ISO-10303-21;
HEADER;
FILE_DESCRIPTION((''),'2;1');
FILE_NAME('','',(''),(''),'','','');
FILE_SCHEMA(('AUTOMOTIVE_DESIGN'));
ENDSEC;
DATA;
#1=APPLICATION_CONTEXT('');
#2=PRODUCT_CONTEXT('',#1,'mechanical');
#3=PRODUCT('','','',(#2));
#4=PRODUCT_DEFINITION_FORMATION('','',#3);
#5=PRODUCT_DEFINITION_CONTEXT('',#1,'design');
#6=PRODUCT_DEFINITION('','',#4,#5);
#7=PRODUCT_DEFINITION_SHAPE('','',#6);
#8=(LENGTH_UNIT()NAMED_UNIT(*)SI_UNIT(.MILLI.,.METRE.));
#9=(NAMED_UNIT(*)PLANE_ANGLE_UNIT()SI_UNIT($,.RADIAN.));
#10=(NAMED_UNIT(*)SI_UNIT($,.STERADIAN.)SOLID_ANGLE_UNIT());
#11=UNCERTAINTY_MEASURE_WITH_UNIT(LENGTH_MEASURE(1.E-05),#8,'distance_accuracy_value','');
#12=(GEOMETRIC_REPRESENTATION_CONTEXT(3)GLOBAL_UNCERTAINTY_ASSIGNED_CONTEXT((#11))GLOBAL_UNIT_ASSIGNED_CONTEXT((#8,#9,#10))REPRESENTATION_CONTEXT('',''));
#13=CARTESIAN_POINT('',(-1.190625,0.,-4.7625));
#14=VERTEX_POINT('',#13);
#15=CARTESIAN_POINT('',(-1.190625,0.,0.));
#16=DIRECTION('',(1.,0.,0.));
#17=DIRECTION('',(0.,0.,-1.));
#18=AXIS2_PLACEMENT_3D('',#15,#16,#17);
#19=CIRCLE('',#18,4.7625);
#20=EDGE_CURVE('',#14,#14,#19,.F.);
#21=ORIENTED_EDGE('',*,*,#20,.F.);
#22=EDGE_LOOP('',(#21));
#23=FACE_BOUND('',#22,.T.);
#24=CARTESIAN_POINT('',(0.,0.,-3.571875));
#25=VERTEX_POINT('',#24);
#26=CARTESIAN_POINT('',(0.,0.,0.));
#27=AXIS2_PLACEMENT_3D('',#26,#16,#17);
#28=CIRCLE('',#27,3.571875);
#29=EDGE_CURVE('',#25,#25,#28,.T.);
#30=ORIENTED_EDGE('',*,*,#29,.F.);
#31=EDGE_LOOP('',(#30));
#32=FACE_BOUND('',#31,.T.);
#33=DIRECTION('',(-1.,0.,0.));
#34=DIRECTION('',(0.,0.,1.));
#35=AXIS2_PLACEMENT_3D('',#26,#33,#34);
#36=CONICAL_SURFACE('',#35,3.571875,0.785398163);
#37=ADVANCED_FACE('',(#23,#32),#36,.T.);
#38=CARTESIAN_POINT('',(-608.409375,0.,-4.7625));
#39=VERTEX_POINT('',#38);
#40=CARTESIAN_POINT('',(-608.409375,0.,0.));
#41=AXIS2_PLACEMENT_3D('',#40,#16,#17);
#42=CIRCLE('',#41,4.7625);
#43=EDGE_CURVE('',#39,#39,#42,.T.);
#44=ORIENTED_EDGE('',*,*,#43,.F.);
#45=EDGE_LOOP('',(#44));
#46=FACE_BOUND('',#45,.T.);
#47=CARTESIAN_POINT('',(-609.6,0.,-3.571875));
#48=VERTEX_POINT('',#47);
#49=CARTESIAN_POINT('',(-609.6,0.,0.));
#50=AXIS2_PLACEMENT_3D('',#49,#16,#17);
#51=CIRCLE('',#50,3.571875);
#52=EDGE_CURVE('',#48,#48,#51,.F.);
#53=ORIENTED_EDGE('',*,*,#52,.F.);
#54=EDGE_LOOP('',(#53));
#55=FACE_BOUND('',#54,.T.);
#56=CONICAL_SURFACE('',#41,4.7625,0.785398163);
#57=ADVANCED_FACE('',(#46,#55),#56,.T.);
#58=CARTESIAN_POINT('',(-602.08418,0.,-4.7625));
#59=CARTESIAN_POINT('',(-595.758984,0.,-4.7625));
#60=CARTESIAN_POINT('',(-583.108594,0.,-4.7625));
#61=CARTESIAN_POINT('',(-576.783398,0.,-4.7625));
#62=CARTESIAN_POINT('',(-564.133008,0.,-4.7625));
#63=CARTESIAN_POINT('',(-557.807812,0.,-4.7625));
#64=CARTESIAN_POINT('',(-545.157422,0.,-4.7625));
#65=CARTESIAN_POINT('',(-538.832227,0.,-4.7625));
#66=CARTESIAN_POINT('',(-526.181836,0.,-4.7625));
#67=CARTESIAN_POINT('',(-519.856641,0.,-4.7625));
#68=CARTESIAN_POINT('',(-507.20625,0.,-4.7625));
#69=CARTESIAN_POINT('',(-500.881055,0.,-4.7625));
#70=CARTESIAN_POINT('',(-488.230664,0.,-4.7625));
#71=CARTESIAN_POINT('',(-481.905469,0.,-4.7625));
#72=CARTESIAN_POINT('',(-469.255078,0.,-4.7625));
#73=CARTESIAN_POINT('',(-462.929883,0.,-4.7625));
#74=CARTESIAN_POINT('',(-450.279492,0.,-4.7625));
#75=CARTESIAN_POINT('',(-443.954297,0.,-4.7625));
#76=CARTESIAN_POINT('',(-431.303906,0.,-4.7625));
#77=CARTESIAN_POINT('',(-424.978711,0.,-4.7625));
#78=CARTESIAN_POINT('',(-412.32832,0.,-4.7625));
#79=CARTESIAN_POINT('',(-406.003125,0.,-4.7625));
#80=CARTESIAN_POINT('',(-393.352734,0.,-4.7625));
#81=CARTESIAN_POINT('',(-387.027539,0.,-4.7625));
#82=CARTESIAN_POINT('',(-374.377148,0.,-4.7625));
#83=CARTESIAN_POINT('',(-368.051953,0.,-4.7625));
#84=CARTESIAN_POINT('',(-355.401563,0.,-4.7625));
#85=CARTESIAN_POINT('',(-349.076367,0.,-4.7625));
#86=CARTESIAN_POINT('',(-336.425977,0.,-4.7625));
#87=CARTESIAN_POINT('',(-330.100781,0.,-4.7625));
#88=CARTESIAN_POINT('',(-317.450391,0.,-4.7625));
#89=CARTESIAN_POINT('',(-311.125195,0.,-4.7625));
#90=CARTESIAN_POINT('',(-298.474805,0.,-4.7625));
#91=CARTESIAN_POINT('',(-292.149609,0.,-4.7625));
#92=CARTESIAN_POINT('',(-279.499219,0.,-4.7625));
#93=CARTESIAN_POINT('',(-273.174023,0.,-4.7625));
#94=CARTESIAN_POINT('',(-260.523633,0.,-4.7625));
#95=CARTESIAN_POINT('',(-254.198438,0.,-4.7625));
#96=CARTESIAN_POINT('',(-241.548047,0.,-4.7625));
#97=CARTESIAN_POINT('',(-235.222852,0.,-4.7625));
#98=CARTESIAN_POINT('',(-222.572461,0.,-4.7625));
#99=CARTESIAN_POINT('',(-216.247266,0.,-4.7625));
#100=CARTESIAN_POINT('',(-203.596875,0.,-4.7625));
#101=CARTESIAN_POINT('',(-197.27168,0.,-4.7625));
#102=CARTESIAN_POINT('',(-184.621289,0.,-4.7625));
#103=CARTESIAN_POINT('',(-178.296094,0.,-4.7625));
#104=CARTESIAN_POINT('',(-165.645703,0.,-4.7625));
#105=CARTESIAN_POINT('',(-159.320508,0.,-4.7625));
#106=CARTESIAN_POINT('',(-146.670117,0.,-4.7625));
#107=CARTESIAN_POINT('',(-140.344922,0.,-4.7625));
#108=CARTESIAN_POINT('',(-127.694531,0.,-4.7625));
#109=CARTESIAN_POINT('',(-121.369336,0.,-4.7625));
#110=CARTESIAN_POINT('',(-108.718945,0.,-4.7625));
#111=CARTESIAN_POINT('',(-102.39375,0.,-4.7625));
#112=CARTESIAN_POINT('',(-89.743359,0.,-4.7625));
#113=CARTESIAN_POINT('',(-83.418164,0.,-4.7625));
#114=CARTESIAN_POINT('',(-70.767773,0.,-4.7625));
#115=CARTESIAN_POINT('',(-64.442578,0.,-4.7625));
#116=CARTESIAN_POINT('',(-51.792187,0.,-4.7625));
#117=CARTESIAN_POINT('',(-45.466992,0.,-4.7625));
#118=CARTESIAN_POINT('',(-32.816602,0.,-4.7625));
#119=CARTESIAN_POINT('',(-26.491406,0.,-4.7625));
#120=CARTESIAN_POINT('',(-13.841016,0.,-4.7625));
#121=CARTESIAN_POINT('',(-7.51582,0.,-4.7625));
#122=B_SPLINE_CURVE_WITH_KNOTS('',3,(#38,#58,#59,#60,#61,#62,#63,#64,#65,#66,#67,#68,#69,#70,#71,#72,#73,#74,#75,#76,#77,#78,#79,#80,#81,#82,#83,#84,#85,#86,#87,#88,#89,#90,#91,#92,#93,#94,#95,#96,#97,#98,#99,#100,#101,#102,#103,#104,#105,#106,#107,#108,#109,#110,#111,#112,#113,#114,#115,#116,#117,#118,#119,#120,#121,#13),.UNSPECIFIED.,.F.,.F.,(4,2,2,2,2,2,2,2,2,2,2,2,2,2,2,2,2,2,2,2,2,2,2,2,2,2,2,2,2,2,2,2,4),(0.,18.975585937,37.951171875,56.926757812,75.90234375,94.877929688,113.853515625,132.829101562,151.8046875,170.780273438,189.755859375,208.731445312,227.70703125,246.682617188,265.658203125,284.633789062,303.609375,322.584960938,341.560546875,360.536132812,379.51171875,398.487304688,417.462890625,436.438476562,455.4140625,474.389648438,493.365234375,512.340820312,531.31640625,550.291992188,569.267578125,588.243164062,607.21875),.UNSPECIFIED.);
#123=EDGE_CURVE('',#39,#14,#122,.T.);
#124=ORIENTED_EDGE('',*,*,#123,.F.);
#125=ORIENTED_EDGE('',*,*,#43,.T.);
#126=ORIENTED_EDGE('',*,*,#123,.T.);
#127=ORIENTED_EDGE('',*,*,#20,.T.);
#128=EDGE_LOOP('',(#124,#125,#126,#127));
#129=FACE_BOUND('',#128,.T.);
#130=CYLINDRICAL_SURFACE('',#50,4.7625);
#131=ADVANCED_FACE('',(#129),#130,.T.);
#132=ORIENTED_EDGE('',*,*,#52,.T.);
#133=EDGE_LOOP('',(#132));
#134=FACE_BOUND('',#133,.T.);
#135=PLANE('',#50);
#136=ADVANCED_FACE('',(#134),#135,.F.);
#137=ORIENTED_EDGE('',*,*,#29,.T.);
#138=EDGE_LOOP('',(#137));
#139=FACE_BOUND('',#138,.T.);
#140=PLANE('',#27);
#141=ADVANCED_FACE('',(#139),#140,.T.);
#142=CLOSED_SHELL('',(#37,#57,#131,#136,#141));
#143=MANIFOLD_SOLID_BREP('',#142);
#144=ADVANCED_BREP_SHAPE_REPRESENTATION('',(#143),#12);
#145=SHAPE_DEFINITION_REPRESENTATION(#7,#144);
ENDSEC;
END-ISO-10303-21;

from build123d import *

# Parameters (mm, degrees)
SKETCH2_R           = 4.7625
BOSS_EXTRUDE1_DEPTH = 609.6
CHAMFER1_SIZE       = 1.190625


with BuildPart() as part:
    # Sketch2 → Boss-Extrude1 (new body)
    with BuildSketch(Plane(origin=(0, 0, 0), x_dir=(0, 0, -1), z_dir=(1, 0, 0))):
        Circle(SKETCH2_R)
    extrude(amount=-BOSS_EXTRUDE1_DEPTH)

    # Chamfer1
    chamfer1_edges = [part.edges().sort_by_distance(p)[0] for p in [
        (0, 0, 4.7625),
        (-609.6, 0, 4.7625),
    ]]
    chamfer(chamfer1_edges, length=CHAMFER1_SIZE)


solid = part.part
